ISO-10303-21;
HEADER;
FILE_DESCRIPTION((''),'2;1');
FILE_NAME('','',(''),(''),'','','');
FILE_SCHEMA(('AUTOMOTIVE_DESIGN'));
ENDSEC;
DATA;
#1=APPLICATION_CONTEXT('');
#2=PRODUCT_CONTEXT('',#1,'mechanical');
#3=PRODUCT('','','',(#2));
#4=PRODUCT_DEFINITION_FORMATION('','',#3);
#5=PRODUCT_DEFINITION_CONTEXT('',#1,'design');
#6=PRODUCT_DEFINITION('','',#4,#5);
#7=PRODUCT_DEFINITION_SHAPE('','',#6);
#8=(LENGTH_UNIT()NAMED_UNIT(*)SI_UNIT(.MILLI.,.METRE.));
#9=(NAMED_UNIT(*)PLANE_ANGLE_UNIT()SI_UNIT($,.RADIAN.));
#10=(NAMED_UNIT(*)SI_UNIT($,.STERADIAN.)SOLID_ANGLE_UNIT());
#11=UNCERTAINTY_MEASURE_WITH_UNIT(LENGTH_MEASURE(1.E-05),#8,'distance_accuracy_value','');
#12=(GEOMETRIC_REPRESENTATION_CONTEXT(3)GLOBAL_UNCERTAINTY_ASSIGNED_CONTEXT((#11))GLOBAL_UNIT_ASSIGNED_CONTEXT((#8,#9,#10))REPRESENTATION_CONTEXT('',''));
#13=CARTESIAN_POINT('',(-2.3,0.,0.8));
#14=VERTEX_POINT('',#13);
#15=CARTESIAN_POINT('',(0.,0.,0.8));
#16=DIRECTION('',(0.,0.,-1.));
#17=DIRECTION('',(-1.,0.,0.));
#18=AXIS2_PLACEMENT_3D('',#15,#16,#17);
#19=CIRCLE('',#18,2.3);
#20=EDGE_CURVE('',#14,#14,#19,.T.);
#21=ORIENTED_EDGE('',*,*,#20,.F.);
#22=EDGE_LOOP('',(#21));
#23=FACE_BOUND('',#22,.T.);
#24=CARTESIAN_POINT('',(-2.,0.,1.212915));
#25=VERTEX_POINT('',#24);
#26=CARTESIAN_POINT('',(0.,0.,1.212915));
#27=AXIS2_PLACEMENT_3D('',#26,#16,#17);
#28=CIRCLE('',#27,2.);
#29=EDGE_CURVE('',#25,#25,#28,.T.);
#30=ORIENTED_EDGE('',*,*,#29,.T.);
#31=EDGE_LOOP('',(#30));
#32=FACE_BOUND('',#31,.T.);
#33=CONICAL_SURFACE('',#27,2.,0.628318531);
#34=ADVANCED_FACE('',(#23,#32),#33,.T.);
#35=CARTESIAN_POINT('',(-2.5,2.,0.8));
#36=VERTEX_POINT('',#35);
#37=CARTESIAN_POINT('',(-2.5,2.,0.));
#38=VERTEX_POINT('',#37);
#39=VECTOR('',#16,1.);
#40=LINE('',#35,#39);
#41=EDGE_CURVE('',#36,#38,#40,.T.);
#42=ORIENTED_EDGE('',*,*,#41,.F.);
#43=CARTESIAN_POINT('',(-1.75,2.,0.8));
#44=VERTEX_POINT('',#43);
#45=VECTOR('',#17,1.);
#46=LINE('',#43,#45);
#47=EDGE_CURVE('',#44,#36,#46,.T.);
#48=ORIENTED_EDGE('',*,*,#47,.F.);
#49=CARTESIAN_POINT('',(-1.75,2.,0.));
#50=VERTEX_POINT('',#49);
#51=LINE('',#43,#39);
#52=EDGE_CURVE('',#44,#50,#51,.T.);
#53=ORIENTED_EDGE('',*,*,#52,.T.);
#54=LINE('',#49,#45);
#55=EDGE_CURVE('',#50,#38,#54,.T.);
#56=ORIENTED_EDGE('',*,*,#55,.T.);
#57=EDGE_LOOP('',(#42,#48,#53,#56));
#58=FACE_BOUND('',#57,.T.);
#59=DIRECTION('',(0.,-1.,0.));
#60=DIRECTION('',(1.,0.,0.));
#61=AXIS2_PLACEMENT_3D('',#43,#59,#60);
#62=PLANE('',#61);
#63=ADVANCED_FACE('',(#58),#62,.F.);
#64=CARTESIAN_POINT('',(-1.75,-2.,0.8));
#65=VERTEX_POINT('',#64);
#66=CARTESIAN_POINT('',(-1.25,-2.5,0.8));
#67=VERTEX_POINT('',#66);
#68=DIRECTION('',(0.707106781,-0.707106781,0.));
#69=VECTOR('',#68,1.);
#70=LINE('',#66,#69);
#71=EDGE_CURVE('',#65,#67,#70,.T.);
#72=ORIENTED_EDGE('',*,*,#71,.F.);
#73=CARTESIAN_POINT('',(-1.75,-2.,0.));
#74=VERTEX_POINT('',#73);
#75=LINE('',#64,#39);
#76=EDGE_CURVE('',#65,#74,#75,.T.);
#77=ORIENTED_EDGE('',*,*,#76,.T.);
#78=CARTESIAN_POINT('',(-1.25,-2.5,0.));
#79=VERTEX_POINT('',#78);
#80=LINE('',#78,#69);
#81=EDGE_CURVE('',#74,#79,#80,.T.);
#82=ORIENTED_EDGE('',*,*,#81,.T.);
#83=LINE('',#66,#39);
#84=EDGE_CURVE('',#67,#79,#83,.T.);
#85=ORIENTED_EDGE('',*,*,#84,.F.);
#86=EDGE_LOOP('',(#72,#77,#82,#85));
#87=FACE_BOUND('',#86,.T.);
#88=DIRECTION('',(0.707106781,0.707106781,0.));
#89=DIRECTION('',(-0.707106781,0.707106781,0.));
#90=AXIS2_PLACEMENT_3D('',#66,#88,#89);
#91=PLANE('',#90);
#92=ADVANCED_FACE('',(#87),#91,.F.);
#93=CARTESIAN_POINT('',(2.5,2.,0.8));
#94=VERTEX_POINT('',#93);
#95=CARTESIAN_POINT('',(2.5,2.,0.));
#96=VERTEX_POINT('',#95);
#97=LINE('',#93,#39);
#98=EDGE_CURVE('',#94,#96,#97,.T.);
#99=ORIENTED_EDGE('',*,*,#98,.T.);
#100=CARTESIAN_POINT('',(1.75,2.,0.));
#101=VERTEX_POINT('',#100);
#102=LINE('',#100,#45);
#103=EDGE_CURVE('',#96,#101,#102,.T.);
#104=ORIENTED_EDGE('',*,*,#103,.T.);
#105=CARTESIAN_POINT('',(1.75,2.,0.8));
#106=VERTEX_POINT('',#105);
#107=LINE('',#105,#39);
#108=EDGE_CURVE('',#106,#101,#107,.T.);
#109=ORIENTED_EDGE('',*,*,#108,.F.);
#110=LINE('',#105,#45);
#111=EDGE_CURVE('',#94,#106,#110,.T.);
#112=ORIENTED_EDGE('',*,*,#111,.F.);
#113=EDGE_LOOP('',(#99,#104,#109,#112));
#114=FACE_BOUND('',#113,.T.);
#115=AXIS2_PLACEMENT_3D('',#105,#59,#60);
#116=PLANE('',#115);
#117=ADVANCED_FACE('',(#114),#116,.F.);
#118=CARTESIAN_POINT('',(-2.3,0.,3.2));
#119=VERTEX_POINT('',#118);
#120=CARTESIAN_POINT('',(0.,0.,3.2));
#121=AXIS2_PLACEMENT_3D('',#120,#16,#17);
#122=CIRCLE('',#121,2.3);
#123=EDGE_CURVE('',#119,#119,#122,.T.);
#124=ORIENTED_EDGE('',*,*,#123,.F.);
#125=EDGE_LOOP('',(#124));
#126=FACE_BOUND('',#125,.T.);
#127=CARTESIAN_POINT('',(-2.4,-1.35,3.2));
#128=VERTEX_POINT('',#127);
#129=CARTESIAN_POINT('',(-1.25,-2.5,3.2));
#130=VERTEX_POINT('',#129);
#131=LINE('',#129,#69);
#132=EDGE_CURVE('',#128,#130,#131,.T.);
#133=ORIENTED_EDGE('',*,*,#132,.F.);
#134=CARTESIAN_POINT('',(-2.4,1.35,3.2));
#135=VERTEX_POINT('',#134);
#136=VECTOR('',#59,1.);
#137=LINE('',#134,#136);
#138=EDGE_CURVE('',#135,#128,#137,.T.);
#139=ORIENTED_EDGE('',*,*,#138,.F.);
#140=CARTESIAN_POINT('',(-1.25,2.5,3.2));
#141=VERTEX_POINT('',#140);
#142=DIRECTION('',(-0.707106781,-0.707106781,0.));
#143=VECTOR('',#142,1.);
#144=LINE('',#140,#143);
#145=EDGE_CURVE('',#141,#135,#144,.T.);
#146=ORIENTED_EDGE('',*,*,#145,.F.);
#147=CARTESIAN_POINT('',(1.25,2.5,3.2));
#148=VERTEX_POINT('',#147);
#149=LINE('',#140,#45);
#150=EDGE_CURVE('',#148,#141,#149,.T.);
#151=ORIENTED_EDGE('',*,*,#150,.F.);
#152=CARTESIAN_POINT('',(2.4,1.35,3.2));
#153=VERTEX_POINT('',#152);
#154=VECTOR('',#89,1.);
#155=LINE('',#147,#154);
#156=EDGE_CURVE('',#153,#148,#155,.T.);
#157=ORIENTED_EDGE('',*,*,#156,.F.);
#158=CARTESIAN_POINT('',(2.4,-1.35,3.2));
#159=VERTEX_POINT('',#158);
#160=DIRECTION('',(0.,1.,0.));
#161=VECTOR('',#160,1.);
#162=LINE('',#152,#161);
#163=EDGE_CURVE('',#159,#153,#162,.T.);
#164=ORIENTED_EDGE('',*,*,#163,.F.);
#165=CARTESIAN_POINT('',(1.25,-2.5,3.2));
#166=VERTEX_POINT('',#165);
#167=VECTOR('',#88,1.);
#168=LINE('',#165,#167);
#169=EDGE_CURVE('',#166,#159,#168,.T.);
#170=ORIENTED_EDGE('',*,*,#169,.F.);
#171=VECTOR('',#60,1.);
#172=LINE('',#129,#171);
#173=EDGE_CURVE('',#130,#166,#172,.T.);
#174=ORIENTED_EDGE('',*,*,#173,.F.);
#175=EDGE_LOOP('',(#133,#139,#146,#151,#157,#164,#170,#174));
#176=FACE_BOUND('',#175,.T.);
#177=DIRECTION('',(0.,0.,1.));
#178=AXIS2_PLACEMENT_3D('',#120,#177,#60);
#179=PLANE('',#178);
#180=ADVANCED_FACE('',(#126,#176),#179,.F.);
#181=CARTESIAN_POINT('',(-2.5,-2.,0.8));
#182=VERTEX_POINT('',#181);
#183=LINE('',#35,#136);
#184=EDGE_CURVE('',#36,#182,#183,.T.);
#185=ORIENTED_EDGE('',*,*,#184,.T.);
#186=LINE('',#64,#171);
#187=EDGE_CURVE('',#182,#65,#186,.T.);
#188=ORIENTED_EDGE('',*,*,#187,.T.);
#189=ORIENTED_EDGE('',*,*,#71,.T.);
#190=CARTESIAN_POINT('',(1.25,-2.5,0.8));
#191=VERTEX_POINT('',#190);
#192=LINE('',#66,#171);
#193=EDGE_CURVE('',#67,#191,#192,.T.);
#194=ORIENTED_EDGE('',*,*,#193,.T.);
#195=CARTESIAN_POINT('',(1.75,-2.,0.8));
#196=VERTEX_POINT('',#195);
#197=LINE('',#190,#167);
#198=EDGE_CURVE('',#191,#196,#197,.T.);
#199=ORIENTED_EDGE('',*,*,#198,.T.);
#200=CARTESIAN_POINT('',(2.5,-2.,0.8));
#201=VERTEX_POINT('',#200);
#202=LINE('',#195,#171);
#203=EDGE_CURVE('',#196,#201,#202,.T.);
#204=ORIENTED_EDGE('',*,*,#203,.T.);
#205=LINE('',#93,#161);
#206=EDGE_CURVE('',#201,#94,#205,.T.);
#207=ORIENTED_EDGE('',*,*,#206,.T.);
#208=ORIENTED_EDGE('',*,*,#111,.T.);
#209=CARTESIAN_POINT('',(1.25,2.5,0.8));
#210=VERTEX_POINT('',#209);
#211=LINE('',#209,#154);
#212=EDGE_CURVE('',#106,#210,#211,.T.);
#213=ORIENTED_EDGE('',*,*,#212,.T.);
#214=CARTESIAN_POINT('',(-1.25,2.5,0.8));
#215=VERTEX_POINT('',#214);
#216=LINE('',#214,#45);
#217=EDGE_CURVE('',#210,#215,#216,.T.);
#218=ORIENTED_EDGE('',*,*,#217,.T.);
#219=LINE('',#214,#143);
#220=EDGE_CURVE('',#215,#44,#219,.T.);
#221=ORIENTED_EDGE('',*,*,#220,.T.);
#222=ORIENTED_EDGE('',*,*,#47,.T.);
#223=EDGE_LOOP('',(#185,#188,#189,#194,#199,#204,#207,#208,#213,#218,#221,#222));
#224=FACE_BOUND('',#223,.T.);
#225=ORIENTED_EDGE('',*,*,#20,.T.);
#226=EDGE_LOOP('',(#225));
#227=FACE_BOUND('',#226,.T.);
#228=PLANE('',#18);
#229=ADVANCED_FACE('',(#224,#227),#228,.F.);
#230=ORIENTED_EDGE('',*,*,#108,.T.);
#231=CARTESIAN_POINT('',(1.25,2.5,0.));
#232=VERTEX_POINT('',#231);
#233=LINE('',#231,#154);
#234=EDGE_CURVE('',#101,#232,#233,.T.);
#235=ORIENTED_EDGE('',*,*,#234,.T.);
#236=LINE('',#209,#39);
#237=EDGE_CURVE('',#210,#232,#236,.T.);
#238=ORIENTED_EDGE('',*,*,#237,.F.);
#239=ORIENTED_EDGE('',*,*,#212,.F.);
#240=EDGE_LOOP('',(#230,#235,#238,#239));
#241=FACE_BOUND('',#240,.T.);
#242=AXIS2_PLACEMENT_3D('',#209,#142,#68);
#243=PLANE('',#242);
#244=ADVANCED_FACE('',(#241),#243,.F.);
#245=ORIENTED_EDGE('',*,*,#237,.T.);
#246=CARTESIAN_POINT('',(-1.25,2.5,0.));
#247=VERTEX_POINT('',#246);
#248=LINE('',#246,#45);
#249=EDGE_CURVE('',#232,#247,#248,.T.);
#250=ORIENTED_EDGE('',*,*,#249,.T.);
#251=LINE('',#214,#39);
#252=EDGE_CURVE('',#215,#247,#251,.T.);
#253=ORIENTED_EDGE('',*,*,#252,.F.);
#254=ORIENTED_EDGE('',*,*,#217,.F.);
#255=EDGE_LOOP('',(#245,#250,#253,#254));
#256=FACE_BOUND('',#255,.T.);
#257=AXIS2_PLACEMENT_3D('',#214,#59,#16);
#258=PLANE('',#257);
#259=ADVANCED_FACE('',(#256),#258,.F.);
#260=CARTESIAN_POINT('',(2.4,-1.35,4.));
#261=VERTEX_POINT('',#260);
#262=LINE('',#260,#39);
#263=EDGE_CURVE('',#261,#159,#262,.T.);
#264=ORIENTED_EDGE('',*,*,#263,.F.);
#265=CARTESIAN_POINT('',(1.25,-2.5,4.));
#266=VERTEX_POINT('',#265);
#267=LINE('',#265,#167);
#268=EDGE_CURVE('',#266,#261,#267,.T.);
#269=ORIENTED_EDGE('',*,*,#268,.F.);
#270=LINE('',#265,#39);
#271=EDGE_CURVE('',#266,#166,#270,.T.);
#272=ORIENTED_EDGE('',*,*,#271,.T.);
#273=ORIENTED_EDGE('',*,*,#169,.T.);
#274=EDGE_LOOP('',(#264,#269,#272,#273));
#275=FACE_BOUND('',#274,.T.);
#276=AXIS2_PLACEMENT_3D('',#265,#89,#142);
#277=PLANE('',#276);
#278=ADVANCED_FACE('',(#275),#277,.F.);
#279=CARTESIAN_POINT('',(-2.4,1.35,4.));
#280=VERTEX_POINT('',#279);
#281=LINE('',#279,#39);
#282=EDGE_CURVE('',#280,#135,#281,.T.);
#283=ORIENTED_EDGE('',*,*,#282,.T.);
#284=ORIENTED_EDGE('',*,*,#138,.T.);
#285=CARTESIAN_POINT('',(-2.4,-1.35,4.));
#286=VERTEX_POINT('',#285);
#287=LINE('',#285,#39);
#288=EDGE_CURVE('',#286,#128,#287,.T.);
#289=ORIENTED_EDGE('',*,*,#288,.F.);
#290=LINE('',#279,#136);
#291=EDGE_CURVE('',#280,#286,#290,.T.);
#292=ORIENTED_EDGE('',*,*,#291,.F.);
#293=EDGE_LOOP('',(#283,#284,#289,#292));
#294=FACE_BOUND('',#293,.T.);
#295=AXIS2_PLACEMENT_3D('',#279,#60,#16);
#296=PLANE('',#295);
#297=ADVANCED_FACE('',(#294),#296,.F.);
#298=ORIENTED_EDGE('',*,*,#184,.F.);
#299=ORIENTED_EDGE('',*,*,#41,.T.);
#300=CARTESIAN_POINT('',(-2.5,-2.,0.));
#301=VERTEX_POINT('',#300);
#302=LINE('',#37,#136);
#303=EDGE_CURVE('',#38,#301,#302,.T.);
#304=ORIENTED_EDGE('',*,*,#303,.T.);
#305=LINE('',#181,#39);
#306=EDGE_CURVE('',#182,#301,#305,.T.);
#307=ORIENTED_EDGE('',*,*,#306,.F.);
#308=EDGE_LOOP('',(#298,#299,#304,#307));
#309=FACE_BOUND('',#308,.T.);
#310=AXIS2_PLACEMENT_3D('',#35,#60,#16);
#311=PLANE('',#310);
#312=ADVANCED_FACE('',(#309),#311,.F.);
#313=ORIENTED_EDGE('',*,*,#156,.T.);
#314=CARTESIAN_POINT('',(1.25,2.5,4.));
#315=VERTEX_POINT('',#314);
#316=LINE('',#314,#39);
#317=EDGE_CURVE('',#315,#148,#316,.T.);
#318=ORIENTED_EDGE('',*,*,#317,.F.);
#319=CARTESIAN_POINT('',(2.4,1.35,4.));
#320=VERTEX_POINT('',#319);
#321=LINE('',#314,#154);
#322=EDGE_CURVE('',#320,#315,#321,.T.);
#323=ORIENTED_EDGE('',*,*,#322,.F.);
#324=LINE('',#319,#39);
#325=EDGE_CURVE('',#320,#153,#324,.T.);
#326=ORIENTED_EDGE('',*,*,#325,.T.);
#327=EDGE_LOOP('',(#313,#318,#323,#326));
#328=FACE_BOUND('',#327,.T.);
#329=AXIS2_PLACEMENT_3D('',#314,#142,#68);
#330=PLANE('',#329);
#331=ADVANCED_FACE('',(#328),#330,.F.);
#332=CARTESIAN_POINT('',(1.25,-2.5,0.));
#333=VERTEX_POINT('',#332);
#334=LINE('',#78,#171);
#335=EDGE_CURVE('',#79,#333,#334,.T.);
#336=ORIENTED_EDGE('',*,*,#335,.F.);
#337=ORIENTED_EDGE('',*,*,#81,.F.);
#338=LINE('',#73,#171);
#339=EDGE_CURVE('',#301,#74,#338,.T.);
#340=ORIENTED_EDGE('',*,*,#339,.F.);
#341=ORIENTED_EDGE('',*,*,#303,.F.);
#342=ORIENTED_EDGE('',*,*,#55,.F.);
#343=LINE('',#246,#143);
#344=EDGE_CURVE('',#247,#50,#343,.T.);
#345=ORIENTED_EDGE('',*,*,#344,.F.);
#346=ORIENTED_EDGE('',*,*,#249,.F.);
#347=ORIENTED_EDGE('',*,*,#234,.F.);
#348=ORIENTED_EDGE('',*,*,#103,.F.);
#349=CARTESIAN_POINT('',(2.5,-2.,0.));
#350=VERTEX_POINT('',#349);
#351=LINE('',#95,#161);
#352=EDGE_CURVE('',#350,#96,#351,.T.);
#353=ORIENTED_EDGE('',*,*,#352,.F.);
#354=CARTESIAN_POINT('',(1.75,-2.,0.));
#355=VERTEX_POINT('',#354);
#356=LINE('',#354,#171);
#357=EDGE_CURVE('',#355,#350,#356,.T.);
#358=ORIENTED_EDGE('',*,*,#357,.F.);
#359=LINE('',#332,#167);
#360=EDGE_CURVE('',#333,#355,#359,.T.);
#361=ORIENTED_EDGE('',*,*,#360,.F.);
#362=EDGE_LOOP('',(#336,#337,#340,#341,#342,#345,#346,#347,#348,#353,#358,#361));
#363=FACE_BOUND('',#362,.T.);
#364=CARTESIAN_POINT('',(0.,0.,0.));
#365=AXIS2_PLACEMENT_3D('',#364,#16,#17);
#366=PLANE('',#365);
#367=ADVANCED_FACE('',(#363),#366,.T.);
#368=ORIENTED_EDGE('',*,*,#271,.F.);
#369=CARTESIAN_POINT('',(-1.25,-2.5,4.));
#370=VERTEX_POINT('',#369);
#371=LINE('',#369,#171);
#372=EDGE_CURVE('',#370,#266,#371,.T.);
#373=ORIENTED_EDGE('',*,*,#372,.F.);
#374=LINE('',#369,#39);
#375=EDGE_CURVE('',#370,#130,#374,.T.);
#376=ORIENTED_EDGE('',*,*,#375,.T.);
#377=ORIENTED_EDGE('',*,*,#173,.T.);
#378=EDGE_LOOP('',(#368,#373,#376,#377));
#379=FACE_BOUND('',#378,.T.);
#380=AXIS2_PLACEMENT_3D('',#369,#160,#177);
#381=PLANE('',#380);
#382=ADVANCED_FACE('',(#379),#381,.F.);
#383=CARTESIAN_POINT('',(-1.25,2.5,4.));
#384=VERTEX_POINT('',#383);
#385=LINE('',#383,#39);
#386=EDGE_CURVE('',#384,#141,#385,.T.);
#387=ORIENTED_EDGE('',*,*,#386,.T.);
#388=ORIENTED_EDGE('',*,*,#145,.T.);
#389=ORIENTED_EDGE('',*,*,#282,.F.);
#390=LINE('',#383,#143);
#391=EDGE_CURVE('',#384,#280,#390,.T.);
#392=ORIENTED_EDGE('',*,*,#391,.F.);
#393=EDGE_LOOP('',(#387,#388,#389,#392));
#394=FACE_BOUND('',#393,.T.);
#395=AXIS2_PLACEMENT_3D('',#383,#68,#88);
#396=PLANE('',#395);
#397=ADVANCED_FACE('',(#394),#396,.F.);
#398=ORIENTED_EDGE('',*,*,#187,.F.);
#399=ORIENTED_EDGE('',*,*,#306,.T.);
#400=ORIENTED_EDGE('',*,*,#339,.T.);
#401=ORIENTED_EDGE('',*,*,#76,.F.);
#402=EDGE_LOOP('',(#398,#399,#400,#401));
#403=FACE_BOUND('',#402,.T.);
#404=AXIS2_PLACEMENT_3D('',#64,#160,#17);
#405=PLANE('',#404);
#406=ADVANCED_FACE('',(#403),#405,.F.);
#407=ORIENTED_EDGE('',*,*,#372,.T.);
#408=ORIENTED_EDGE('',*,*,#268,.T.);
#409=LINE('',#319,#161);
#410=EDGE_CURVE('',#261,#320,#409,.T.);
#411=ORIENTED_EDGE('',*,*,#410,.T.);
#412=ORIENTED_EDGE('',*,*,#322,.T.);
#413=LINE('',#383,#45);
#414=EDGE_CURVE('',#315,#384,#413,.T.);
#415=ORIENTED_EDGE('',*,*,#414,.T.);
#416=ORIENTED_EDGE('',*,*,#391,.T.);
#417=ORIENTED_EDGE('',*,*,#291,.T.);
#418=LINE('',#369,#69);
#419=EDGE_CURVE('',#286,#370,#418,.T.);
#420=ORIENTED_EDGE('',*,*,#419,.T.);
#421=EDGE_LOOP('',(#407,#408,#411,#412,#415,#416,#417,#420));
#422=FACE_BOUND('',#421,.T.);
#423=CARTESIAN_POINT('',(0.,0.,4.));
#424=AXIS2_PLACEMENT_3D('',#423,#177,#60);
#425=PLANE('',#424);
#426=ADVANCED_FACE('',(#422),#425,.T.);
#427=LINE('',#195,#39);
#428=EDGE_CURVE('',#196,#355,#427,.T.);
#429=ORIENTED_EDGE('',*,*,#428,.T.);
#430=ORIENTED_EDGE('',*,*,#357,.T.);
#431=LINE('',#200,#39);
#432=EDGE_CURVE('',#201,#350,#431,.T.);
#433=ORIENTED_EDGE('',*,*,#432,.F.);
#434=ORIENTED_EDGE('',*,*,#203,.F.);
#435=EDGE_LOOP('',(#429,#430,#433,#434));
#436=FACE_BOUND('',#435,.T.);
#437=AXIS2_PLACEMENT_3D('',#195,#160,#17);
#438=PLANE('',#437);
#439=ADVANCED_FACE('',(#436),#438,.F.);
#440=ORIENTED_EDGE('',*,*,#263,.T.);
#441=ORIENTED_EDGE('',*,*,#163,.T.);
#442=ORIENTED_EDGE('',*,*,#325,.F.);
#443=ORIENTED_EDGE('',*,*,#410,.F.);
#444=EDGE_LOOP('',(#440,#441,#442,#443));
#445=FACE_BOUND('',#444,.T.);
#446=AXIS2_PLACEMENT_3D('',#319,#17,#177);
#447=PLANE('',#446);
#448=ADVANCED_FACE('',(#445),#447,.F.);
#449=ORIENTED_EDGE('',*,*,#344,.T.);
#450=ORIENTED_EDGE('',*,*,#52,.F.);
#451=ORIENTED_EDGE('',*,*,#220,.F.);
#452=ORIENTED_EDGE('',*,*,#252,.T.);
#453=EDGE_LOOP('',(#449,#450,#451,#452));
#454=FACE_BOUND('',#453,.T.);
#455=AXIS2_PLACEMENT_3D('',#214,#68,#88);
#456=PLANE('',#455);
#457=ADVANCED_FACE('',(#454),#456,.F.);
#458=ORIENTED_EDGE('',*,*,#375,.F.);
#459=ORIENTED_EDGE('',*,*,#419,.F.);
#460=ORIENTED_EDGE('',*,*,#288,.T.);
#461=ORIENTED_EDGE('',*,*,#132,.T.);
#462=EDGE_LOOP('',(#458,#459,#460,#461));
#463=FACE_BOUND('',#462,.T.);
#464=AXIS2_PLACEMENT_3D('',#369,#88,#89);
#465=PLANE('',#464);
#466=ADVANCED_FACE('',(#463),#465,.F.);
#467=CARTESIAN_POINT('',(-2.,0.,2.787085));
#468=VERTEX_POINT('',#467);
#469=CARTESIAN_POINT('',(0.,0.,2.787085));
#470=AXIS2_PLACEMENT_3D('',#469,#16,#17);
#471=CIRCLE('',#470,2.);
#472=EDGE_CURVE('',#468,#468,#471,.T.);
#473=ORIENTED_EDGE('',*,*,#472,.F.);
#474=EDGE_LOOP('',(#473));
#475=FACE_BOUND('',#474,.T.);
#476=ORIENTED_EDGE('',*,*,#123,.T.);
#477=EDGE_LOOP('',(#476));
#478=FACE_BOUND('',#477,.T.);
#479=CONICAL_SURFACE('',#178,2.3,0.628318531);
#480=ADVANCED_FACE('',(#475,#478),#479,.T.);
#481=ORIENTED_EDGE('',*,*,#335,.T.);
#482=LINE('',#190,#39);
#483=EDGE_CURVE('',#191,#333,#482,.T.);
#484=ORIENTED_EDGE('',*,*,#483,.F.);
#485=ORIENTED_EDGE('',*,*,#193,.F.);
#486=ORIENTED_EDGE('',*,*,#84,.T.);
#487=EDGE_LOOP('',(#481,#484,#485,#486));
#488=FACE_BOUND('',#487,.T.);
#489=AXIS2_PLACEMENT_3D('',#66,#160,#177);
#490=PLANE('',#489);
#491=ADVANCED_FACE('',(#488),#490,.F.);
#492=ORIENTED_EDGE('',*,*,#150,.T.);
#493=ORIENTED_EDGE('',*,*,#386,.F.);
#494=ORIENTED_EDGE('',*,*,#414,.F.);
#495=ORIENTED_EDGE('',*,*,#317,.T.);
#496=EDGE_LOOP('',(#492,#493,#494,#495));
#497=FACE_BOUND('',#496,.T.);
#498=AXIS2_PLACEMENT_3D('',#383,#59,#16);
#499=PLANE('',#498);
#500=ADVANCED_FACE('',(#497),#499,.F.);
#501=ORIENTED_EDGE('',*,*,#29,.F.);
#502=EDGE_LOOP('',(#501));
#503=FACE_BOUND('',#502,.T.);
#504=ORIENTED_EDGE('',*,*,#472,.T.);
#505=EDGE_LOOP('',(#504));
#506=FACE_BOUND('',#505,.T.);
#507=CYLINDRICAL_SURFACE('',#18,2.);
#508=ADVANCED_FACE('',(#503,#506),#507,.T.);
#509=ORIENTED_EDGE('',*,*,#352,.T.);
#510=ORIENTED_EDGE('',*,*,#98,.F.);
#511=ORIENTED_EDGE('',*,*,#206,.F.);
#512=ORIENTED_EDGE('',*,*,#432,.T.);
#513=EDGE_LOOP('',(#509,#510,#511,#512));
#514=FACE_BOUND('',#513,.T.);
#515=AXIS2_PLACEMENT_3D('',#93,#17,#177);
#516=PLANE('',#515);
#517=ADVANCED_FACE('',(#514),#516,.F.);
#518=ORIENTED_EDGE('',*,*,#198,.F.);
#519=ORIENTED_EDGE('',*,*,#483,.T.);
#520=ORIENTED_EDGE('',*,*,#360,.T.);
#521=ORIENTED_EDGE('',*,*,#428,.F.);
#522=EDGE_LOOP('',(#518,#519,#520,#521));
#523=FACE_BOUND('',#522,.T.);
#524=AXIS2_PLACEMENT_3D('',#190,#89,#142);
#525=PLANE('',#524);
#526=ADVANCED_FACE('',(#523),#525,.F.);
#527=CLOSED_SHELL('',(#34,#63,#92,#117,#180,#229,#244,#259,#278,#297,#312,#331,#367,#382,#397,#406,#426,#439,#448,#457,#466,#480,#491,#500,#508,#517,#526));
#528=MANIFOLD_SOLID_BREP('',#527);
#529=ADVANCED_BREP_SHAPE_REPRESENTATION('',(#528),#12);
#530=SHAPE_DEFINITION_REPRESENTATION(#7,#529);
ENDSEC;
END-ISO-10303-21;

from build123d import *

# Parameters (mm, degrees)
BOSS_EXTRUDE1_DEPTH = 0.8
BOSS_EXTRUDE2_DEPTH = 0.8


with BuildPart() as part:
    # Sketch1 → Boss-Extrude1 (new body)
    with BuildSketch(Plane.XY):
        Polygon((-1.25, 2.5), (1.25, 2.5), (1.75, 2), (2.5, 2), (2.5, -2), (1.75, -2), (1.25, -2.5), (-1.25, -2.5), (-1.75, -2), (-2.5, -2), (-2.5, 2), (-1.75, 2), align=None)
    extrude(amount=BOSS_EXTRUDE1_DEPTH)

    # Sketch2 → Revolve1 (revolve)
    with BuildSketch(Plane(origin=(0, 0, 0), x_dir=(1, 0, 0), z_dir=(0, 1, 0)), mode=Mode.PRIVATE) as revolve1_sk:
        Polygon((0, -0.8), (0, -3.2), (2.3, -3.2), (2, -2.787085424), (2, -1.212914576), (2.3, -0.8), align=None)
    revolve(revolve1_sk.sketch.rotate(Axis((0, 0, 0.8), (0, 0, 1)), 180), axis=Axis((0, 0, 0.8), (0, 0, 1)))

    # Sketch3 → Boss-Extrude2 (add)
    with BuildSketch(Plane.XY.offset(3.2)):
        Polygon((-1.25, 2.5), (1.25, 2.5), (2.4, 1.35), (2.4, -1.35), (1.25, -2.5), (-1.25, -2.5), (-2.4, -1.35), (-2.4, 1.35), align=None)
    extrude(amount=BOSS_EXTRUDE2_DEPTH)


solid = part.part
